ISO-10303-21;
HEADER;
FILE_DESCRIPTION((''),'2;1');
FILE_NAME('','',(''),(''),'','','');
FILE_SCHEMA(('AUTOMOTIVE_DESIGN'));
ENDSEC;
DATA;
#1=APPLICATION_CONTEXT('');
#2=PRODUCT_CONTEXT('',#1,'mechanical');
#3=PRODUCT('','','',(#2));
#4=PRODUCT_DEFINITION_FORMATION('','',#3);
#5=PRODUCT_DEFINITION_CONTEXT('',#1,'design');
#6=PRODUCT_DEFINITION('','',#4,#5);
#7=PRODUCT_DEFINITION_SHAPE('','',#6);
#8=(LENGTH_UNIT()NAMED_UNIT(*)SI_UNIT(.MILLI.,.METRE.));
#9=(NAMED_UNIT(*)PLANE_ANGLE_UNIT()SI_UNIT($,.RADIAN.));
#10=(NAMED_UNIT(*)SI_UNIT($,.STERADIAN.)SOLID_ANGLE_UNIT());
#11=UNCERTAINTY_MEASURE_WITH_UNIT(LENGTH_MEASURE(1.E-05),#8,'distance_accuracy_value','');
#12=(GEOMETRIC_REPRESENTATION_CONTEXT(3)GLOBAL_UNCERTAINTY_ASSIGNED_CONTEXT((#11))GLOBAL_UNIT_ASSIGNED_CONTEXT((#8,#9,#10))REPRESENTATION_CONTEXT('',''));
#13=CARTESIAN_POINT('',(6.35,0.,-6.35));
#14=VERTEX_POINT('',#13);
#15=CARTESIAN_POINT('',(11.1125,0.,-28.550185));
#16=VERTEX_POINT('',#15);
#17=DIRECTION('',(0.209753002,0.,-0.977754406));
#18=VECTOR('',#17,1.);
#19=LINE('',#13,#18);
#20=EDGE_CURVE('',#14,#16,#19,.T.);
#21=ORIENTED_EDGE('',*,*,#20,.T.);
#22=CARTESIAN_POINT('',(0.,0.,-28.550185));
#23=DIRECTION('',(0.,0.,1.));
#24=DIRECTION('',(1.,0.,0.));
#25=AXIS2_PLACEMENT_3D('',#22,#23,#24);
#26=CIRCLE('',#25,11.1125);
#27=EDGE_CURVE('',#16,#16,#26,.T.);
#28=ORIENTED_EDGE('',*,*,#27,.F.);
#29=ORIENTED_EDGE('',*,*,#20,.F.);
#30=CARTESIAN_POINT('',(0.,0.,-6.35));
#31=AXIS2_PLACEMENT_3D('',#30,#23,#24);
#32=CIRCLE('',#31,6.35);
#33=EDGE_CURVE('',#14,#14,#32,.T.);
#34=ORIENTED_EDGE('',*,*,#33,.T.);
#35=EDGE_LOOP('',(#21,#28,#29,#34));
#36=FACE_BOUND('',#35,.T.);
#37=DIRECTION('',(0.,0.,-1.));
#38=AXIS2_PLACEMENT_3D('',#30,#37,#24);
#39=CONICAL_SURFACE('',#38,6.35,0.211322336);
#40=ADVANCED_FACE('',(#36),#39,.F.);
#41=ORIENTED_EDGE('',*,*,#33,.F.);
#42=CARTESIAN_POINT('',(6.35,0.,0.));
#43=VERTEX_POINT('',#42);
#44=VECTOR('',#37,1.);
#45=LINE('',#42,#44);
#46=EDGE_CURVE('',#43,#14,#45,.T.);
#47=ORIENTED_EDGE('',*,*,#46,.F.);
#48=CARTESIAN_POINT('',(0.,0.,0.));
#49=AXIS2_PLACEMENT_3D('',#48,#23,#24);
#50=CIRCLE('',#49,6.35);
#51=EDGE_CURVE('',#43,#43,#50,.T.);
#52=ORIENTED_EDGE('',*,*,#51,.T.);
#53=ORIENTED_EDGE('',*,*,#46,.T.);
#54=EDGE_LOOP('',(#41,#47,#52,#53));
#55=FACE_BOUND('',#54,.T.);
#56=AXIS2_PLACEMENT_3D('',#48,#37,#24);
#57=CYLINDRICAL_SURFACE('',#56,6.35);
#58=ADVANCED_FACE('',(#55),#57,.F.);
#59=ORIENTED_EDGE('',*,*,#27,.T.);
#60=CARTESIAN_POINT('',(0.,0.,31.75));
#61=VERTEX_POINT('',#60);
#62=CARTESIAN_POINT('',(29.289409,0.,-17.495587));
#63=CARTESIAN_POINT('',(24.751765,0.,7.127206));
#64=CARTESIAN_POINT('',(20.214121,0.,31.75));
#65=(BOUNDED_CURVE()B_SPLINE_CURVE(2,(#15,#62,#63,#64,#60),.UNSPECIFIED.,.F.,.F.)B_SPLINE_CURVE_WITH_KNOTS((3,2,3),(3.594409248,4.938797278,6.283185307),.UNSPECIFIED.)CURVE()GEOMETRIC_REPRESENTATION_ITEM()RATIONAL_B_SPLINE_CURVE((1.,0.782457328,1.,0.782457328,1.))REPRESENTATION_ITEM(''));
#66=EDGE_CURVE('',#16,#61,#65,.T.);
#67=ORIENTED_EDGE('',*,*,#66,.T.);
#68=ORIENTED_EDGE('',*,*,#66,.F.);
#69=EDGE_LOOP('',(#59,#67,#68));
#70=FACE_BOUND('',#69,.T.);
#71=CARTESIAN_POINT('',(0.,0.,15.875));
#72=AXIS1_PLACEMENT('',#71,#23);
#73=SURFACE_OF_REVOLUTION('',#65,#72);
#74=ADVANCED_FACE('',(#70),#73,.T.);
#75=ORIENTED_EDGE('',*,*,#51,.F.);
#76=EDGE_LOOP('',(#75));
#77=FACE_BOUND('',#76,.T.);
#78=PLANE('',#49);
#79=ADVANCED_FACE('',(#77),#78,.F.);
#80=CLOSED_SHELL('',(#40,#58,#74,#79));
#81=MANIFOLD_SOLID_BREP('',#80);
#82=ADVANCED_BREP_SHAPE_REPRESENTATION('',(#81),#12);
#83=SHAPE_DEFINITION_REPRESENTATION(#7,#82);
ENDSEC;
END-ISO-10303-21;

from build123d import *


with BuildPart() as f1:
    # F0 (on Front) → F1 (revolve)
    with BuildSketch(Plane.XZ):
        with BuildLine():
            Line((6.35, -6.35), (11.1125, -28.5501845372))
            add(Edge.make_bspline(
                [(11.1125, -28.5501845372), (29.2894094809, -17.4955872837), (24.7517650865, 7.1272063581), (20.2141206921, 31.75), (0, 31.75)],
                knots=[3.5944092483, 3.5944092483, 3.5944092483, 4.9387972778, 4.9387972778, 6.2831853072, 6.2831853072, 6.2831853072], degree=2, weights=[1, 0.782457328, 1, 0.782457328, 1]))
            Line((0, 31.75), (0, 0))
            Line((0, 0), (6.35, 0))
            Line((6.35, 0), (6.35, -6.35))
        make_face()
    revolve(axis=Axis((0, 0, 15.875), (0, 0, 1)))


solid = f1.part
